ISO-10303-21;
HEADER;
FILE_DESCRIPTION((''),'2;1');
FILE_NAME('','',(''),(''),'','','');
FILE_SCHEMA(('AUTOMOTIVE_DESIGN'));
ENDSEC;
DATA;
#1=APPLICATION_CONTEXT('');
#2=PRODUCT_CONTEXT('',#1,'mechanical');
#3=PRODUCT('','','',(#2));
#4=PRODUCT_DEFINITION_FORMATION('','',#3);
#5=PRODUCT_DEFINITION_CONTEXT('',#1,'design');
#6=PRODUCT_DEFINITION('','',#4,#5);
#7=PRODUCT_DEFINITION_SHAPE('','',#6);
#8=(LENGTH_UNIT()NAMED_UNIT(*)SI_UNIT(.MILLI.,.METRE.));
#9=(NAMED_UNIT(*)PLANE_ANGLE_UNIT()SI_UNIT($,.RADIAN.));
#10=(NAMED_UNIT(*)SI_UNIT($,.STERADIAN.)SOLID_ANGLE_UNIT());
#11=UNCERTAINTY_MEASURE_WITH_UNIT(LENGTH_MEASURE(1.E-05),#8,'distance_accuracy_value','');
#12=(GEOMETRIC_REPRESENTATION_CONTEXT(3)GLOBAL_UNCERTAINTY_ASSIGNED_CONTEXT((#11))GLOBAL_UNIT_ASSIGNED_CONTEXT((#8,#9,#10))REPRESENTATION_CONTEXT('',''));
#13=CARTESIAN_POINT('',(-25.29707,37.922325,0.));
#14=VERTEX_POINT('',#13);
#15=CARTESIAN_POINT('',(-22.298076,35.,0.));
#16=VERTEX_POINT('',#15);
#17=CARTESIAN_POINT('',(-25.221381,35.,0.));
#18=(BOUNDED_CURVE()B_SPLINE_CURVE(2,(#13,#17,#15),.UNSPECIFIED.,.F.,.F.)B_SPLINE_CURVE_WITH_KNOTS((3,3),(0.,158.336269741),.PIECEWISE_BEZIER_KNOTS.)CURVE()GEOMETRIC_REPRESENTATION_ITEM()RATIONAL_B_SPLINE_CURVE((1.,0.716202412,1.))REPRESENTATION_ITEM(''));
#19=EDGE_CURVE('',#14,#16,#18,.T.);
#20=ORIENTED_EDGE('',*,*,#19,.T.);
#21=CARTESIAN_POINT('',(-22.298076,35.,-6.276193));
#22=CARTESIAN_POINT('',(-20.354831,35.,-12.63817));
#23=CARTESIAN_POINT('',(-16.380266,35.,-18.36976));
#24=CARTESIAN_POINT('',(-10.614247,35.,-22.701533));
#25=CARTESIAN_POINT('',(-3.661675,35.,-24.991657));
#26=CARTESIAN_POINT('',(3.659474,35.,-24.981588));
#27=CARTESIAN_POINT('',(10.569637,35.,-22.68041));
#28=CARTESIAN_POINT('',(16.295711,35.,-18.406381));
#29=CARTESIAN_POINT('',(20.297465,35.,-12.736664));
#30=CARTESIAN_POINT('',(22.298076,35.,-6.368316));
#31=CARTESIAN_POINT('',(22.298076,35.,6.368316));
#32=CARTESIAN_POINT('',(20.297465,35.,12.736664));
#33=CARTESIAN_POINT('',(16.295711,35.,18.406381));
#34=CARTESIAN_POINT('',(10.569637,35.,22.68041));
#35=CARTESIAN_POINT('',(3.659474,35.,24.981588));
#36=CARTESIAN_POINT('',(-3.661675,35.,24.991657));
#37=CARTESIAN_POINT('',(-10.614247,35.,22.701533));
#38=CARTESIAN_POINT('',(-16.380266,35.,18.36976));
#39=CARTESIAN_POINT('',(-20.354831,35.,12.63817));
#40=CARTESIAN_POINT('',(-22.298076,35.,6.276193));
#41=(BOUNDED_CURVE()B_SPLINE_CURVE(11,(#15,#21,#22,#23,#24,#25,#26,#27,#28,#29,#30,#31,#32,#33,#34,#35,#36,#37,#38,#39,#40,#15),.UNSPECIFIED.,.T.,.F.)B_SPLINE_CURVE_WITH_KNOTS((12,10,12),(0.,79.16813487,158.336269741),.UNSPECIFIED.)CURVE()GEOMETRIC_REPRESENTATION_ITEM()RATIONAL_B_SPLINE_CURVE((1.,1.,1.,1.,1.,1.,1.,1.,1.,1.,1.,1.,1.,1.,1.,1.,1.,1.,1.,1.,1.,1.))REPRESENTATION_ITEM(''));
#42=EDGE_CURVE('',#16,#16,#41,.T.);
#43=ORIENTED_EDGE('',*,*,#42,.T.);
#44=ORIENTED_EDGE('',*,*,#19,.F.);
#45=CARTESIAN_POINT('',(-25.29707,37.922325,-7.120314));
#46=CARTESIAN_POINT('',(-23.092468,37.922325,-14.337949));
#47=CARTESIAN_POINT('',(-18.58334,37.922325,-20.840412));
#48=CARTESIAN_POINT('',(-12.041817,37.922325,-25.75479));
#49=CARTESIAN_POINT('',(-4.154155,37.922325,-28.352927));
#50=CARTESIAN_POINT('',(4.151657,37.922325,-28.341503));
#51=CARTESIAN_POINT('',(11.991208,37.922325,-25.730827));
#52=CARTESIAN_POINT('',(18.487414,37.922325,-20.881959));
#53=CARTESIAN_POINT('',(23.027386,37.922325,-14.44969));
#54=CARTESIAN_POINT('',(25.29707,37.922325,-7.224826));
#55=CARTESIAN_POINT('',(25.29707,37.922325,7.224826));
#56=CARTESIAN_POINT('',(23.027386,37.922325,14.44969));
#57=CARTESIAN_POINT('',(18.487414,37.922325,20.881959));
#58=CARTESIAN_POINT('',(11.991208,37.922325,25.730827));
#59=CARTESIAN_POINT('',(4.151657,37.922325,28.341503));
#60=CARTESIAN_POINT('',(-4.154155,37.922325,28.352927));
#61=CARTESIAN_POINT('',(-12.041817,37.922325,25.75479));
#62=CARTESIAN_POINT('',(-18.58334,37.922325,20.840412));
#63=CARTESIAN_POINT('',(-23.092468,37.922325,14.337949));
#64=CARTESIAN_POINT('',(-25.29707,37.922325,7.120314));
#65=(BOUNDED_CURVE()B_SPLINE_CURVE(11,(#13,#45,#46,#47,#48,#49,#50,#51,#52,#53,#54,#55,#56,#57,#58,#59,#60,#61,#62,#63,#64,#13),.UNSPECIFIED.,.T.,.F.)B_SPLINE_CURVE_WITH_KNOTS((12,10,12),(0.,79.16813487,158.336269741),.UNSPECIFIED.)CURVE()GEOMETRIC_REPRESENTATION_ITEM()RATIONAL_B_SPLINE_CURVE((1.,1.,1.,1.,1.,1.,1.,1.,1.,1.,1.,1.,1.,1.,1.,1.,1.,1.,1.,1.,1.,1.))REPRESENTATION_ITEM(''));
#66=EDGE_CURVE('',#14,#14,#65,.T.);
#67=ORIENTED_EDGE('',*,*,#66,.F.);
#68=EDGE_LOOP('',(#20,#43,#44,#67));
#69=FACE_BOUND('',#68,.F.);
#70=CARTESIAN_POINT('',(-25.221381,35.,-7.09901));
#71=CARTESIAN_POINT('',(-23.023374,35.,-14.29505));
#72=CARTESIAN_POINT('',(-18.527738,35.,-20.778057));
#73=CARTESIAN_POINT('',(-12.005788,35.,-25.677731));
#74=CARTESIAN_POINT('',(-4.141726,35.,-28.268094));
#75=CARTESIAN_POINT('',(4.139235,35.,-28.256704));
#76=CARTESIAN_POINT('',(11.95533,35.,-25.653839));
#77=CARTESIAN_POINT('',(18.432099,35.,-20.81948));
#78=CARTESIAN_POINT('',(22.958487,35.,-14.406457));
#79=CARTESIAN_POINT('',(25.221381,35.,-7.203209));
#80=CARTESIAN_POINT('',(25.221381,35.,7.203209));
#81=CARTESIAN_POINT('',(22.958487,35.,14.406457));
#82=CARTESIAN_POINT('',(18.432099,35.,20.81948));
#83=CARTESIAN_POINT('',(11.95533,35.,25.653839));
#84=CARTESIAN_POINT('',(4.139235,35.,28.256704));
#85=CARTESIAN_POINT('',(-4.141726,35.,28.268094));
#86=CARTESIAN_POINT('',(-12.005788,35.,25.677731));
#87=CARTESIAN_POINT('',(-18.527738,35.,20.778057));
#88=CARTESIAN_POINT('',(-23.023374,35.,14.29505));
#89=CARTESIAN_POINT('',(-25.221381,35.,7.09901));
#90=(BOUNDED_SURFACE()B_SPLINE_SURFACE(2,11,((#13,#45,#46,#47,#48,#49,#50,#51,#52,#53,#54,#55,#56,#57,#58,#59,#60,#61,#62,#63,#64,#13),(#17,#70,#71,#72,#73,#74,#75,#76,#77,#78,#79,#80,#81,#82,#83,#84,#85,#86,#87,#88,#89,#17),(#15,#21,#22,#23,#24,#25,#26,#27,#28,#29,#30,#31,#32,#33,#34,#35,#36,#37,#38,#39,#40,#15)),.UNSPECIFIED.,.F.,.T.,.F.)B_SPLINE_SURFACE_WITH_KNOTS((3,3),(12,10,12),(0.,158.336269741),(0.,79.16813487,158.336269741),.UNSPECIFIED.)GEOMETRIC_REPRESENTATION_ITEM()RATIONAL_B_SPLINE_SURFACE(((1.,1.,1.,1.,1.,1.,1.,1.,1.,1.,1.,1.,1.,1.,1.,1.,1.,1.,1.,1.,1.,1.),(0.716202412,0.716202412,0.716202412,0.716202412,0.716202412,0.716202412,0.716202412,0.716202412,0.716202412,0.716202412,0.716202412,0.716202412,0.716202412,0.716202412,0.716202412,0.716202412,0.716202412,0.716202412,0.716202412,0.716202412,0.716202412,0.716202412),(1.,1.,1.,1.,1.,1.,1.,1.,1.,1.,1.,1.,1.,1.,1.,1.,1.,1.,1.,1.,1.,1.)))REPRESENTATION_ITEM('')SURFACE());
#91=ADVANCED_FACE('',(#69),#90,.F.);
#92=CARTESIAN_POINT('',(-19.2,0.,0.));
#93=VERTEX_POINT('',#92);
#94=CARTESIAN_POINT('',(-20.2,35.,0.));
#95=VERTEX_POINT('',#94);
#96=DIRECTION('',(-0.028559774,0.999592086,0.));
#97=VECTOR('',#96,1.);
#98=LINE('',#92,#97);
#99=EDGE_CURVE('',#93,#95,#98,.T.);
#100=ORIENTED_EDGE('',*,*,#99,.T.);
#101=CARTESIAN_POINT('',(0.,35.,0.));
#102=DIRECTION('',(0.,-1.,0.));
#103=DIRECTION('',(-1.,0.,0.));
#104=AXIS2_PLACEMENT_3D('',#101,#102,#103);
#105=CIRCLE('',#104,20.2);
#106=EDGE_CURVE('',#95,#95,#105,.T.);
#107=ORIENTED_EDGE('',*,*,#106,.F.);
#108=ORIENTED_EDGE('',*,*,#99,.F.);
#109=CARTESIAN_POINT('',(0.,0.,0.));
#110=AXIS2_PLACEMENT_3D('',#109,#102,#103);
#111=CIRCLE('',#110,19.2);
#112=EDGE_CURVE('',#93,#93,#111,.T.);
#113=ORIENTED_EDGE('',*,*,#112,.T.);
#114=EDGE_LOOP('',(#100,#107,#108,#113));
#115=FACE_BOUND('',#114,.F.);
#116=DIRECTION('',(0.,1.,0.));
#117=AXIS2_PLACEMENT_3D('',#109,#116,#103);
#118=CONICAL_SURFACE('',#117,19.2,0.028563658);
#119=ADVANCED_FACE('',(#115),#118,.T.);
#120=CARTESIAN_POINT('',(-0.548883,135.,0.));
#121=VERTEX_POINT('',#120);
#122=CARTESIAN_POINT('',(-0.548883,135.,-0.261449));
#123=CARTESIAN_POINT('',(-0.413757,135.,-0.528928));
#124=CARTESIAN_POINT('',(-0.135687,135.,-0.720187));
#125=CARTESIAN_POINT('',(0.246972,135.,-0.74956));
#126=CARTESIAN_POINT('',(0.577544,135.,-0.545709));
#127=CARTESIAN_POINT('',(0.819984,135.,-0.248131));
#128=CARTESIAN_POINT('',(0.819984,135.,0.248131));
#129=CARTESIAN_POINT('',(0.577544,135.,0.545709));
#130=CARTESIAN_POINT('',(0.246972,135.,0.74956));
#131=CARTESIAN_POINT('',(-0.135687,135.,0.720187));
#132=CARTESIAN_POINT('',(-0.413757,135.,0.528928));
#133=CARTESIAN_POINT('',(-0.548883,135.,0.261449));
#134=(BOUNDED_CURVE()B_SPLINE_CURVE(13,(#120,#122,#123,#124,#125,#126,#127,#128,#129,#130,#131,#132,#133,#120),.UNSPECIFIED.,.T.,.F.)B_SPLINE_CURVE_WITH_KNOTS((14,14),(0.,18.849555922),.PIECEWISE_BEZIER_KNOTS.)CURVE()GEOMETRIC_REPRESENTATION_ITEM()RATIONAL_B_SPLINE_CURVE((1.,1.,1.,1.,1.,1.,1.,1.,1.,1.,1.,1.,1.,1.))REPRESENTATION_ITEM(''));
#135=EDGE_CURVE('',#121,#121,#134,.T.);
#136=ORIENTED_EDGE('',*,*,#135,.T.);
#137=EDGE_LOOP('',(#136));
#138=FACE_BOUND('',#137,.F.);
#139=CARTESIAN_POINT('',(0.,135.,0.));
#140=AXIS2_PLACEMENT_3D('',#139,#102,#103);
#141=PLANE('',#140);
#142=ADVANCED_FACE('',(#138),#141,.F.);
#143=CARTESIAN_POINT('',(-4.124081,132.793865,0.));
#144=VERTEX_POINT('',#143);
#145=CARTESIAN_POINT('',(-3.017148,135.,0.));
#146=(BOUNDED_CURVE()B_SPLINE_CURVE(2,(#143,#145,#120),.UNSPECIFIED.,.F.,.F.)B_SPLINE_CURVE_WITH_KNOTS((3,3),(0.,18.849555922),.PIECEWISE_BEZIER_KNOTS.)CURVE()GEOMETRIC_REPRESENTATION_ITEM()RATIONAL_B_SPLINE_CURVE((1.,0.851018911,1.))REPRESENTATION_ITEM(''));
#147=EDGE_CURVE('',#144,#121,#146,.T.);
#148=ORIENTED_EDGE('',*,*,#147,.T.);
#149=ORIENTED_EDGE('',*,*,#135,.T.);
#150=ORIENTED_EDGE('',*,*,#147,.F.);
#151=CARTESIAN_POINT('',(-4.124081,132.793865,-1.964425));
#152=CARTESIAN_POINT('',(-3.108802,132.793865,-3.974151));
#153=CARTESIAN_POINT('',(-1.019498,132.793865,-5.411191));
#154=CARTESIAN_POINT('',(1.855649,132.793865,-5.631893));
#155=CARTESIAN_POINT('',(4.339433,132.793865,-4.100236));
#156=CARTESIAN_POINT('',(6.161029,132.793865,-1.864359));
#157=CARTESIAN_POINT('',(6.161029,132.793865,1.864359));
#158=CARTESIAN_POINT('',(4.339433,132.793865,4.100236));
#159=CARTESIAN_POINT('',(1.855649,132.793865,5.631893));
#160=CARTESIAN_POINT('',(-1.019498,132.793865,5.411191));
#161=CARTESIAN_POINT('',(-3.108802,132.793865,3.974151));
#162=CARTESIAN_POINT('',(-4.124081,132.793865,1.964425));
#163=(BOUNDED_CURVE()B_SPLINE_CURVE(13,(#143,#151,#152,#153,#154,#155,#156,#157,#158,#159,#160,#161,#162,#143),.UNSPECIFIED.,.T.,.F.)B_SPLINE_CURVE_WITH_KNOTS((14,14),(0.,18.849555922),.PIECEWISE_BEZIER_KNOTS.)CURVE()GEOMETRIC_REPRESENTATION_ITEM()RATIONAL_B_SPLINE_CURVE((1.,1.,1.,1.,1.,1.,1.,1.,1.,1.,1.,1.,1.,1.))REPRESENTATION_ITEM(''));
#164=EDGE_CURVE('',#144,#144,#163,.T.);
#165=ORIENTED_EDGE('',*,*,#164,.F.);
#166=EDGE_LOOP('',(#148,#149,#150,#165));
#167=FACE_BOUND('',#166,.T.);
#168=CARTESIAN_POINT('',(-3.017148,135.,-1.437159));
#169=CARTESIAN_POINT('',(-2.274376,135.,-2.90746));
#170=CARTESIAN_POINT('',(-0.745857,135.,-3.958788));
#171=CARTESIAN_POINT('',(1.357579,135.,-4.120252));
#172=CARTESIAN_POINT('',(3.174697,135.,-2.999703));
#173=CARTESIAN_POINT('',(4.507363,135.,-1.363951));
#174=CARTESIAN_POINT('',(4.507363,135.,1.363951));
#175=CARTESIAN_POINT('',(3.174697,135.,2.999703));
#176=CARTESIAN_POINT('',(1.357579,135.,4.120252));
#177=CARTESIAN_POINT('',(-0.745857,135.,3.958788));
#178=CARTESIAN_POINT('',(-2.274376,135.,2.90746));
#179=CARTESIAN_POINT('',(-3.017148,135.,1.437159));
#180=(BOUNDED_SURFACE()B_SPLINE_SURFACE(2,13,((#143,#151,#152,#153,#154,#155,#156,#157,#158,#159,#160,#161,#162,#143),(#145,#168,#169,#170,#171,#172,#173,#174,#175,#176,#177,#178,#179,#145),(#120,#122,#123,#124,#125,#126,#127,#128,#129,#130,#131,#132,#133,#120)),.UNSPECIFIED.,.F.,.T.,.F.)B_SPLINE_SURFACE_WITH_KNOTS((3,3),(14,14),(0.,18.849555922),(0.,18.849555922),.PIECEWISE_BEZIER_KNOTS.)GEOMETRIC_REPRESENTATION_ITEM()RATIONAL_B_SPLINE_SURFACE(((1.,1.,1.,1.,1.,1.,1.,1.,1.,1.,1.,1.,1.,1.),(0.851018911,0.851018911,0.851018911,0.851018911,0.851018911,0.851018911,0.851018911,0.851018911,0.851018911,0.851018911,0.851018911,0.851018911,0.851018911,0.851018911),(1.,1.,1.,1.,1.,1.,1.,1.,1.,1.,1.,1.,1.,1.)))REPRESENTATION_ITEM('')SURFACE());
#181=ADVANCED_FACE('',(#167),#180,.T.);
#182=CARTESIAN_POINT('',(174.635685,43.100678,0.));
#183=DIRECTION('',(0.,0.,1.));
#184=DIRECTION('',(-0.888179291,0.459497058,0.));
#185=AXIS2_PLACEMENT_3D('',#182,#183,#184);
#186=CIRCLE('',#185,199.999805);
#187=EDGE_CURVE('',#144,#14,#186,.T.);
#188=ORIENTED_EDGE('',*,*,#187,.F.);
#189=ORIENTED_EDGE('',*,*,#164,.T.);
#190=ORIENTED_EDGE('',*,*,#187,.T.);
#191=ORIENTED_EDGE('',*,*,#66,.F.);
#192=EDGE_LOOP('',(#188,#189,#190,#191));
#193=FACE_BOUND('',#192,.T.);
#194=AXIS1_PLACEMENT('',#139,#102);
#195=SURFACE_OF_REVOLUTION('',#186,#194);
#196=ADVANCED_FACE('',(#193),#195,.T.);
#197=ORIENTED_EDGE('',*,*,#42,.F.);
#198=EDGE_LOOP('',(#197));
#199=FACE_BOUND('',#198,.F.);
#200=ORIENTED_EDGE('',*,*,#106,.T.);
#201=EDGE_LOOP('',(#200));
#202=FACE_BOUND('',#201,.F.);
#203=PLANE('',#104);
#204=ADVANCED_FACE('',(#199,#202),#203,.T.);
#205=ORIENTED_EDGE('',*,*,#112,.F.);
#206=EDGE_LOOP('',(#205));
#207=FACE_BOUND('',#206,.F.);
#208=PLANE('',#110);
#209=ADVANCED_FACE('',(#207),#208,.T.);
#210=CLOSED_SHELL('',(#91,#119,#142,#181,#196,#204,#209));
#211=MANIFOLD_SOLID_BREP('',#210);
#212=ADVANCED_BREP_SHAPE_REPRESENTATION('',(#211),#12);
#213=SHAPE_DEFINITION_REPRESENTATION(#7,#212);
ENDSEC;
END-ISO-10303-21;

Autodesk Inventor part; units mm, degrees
ref_plane "YZ Plane" through (0, 0, 0) normal (1, 0, 0) x (0, 1, 0)
ref_plane "XZ Plane" through (0, 0, 0) normal (0, 1, 0) x (-1, 0, 0)
ref_plane "XY Plane" through (0, 0, 0) normal (0, 0, 1) x (1, 0, 0)
sketch "Sketch1" plane through (0, 0, 0) normal (0, 0, 1) x (1, 0, 0)
  line L0 (0, 0) -> (-19.2, 0)
  line L1 (-19.2, 0) -> (-20.2, 35)
  line L2 (-20.2, 35) -> (-25.2, 35)
  arc A0 (-3, 135) -> (-25.2, 35) centre (174.6359, 43.1006) ccw
  line L3 (-3, 135) -> (0, 135)
  line L4 (0, 135) -> (0, 0)
  dimension "d0" = 19.2
  dimension "d1" = 35
  dimension "d2" = 1
  dimension "d3" = 5
  dimension "d4" = 200
  dimension "d5" = 100
  dimension "d6" = 3
revolve "Revolution1" add sketch "Sketch1" angle 360 about axis through (0, 135, 0) along (0, -1, 0)
fillet "Fillet1" radius 4 1 edges at (3, 135, 0)
fillet "Fillet2" radius 3 1 edges at (25.2, 35, 0)
equation "\"BendRadius\" = Thickness"
equation "\"BendReliefWidth\" = Thickness"
equation "\"BendReliefDepth\" = 0.5 * Thickness"
equation "\"CornerReliefSize\" = 4 * Thickness"
equation "\"MinimumRemnant\" = 2 * Thickness"
equation "\"TransitionRadius\" = BendRadius"
equation "\"JacobiRadiusSize\" = BendRadius"
equation "\"GapSize\" = Thickness"
equation "\"Thickness\" = 0.5"
properties part number "noseconefairing"
